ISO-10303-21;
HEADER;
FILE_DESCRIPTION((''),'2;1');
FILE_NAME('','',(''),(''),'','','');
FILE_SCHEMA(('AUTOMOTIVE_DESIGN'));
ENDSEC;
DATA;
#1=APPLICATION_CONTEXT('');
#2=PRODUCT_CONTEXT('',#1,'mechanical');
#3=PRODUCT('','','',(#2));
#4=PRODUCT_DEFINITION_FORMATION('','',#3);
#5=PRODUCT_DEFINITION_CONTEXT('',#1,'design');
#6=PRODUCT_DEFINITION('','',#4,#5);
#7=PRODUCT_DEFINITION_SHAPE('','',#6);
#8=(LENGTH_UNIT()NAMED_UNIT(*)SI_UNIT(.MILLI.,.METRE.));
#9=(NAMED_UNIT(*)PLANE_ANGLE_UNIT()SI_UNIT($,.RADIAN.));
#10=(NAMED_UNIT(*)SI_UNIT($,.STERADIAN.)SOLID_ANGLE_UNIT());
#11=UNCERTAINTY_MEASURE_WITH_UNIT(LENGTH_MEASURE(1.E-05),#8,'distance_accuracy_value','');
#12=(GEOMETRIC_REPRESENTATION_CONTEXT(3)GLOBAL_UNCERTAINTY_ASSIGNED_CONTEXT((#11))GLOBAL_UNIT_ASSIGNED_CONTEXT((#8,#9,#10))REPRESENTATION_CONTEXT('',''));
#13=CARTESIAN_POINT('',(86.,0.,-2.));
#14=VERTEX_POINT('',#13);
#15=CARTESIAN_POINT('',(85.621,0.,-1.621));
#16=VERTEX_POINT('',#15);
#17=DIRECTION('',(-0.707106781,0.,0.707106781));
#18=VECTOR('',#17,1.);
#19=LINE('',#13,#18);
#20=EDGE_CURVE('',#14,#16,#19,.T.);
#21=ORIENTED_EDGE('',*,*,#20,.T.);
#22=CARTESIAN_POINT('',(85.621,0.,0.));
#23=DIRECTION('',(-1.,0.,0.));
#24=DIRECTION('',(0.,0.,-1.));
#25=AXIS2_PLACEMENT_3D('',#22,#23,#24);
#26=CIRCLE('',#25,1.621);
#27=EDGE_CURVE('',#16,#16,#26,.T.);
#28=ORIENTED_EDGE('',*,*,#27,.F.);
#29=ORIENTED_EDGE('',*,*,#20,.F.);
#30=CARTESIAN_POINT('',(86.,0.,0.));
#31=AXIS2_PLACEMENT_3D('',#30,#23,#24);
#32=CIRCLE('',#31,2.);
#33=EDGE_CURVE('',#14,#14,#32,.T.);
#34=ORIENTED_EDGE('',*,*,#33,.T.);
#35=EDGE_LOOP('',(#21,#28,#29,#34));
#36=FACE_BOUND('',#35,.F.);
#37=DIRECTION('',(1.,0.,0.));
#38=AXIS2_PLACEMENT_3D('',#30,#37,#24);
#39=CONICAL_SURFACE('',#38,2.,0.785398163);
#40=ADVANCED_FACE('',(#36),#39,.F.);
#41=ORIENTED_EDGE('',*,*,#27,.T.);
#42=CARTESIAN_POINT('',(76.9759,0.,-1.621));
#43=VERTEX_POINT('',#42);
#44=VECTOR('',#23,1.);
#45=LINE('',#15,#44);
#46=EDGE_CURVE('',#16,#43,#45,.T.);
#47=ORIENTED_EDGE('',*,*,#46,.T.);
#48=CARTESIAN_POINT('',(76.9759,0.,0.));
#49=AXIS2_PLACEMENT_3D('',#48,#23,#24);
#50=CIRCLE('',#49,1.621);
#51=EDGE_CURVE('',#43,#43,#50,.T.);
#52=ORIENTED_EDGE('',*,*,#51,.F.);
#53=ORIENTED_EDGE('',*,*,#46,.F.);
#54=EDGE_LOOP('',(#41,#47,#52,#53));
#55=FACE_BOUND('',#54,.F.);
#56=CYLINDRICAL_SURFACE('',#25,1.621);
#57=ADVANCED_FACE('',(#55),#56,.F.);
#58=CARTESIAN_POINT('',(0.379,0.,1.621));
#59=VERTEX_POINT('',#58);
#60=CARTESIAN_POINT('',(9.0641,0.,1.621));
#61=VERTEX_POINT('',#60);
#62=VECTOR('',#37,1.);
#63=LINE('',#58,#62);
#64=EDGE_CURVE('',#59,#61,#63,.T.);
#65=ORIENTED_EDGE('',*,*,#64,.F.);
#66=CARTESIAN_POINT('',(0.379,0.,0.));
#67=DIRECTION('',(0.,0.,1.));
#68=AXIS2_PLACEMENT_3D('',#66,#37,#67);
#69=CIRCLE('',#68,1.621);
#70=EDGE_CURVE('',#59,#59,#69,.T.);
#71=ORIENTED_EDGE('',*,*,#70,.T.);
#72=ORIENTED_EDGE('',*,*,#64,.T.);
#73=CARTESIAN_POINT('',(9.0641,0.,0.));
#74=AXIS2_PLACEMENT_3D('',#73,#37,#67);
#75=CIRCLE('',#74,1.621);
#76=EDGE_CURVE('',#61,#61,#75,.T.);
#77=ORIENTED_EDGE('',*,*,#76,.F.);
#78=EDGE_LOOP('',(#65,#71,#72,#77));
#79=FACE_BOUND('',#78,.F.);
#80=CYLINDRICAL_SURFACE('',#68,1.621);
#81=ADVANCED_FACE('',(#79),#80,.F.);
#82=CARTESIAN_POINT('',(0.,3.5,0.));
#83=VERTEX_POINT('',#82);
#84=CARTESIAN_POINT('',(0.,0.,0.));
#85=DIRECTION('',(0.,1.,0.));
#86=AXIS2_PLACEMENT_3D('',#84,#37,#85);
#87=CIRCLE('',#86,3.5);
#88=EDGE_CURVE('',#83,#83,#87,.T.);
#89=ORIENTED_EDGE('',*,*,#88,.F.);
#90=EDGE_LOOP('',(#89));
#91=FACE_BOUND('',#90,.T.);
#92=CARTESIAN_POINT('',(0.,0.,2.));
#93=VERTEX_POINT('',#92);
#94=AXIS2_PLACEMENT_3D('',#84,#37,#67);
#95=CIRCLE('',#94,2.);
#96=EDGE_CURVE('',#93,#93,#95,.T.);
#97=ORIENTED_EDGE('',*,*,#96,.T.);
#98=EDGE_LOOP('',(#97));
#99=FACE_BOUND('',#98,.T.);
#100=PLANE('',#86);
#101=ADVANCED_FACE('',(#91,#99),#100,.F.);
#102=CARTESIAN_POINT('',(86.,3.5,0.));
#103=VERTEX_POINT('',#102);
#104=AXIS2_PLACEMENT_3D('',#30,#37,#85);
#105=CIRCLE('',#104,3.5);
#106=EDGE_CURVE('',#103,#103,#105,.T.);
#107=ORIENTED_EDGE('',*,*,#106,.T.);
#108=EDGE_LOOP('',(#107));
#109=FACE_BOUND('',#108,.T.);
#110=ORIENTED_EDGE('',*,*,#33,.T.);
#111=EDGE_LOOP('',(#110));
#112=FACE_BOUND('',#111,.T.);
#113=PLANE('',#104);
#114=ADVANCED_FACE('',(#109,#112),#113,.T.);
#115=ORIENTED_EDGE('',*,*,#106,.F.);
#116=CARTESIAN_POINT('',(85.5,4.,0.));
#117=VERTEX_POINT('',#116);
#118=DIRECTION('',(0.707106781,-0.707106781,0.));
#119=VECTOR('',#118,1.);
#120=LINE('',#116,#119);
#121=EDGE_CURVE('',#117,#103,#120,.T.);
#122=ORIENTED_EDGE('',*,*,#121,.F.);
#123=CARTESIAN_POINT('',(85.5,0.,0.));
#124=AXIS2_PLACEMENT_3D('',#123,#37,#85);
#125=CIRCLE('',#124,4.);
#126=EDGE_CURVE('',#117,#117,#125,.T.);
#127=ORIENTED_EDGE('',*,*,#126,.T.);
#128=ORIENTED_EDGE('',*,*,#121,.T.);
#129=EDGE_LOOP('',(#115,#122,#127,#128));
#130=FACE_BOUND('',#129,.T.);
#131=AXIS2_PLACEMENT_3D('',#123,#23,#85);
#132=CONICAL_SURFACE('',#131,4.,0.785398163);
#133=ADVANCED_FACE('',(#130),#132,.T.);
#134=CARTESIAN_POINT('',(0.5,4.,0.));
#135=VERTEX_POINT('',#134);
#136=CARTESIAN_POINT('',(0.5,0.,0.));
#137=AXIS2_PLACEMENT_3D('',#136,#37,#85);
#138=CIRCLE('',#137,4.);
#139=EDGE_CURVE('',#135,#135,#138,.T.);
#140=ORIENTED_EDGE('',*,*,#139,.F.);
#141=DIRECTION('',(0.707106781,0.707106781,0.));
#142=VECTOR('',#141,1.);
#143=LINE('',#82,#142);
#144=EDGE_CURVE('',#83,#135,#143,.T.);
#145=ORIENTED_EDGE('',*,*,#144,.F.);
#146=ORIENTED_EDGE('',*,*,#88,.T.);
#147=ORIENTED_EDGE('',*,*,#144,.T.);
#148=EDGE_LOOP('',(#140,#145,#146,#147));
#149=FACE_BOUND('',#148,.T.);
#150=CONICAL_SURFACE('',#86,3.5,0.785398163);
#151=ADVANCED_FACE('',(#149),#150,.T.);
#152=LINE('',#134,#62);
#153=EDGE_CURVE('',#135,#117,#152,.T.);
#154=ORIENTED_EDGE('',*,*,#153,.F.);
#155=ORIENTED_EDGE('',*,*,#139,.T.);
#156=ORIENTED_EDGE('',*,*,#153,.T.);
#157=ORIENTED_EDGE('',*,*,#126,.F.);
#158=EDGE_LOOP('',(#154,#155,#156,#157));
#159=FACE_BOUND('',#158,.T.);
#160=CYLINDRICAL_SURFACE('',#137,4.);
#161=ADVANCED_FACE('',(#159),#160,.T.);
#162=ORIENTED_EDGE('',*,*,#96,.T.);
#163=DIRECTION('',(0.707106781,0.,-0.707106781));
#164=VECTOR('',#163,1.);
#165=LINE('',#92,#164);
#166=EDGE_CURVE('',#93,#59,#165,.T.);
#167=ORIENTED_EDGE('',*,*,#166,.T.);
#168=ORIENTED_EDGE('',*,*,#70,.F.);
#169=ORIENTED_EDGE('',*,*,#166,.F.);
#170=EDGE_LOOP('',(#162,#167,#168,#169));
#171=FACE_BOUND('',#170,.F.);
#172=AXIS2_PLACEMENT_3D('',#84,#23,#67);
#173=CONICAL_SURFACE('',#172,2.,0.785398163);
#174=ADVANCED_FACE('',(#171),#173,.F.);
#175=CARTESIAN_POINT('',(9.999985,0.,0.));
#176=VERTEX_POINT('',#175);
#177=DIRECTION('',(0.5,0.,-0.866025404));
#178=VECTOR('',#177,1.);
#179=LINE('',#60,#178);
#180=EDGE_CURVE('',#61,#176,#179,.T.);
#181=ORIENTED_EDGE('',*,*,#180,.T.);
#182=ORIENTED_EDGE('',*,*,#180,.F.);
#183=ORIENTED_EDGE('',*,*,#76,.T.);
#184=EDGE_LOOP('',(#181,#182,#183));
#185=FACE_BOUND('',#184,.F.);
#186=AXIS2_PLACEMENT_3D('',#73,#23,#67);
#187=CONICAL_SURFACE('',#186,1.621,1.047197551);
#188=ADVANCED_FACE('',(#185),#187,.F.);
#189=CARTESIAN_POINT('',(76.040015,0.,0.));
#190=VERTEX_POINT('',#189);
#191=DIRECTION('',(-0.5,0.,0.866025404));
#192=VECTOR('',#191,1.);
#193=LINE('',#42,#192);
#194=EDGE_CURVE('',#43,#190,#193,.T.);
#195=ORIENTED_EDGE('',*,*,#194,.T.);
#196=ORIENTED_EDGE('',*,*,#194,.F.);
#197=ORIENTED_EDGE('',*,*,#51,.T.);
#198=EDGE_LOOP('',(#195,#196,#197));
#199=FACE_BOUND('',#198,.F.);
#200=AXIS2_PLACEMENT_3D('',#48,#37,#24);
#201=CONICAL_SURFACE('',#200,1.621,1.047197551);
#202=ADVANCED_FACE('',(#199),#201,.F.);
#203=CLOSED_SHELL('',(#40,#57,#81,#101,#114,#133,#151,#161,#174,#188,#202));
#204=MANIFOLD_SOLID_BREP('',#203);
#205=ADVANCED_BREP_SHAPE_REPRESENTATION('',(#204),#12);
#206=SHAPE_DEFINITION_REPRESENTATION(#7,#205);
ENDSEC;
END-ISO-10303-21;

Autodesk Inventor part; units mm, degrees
ref_plane "YZ Plane" through (0, 0, 0) normal (1, 0, 0) x (0, 1, 0)
ref_plane "XZ Plane" through (0, 0, 0) normal (0, 1, 0) x (-1, 0, 0)
ref_plane "XY Plane" through (0, 0, 0) normal (0, 0, 1) x (1, 0, 0)
sketch "Sketch_1" plane through (0, 0, 0) normal (0, 0, 1) x (1, 0, 0)
  line L0 (86, 0) -> (0, 0)
  line L1 (0, 0) -> (0, 3.5)
  line L2 (0, 3.5) -> (0.5, 4)
  line L3 (0.5, 4) -> (85.5, 4)
  line L4 (85.5, 4) -> (86, 3.5)
  line L5 (86, 3.5) -> (86, 0)
  line L6 (86, 0) -> (0, 0)
revolve "Revolution1" add sketch "Sketch_1" angle 360 about axis through (86, 0, 0) along (1, 0, 0)
sketch "Sketch2" plane through (0, 0, 0) normal (-1, 0, 0) x (0, 0, 1)
  point P0 (0, 0)
hole "Hole1" at (0, 0, 0) direction (1, 0, 0) diameter 3.242 depth 9.0641 tip angle 120 countersink diameter 4 countersink angle 90 thread size "M4x0.7" class "6H" standard "ISO Metric profile"
sketch "Sketch3" plane through (86, 0, 0) normal (1, 0, 0) x (0, 0, -1)
  point P0 (0, 0)
hole "Hole2" at (86, 0, 0) direction (-1, 0, 0) diameter 3.242 depth 9.0241 tip angle 120 countersink diameter 4 countersink angle 90 thread size "M4x0.7" class "6H" standard "ISO Metric profile"
properties part number "RDOB8-86-WMC4"
